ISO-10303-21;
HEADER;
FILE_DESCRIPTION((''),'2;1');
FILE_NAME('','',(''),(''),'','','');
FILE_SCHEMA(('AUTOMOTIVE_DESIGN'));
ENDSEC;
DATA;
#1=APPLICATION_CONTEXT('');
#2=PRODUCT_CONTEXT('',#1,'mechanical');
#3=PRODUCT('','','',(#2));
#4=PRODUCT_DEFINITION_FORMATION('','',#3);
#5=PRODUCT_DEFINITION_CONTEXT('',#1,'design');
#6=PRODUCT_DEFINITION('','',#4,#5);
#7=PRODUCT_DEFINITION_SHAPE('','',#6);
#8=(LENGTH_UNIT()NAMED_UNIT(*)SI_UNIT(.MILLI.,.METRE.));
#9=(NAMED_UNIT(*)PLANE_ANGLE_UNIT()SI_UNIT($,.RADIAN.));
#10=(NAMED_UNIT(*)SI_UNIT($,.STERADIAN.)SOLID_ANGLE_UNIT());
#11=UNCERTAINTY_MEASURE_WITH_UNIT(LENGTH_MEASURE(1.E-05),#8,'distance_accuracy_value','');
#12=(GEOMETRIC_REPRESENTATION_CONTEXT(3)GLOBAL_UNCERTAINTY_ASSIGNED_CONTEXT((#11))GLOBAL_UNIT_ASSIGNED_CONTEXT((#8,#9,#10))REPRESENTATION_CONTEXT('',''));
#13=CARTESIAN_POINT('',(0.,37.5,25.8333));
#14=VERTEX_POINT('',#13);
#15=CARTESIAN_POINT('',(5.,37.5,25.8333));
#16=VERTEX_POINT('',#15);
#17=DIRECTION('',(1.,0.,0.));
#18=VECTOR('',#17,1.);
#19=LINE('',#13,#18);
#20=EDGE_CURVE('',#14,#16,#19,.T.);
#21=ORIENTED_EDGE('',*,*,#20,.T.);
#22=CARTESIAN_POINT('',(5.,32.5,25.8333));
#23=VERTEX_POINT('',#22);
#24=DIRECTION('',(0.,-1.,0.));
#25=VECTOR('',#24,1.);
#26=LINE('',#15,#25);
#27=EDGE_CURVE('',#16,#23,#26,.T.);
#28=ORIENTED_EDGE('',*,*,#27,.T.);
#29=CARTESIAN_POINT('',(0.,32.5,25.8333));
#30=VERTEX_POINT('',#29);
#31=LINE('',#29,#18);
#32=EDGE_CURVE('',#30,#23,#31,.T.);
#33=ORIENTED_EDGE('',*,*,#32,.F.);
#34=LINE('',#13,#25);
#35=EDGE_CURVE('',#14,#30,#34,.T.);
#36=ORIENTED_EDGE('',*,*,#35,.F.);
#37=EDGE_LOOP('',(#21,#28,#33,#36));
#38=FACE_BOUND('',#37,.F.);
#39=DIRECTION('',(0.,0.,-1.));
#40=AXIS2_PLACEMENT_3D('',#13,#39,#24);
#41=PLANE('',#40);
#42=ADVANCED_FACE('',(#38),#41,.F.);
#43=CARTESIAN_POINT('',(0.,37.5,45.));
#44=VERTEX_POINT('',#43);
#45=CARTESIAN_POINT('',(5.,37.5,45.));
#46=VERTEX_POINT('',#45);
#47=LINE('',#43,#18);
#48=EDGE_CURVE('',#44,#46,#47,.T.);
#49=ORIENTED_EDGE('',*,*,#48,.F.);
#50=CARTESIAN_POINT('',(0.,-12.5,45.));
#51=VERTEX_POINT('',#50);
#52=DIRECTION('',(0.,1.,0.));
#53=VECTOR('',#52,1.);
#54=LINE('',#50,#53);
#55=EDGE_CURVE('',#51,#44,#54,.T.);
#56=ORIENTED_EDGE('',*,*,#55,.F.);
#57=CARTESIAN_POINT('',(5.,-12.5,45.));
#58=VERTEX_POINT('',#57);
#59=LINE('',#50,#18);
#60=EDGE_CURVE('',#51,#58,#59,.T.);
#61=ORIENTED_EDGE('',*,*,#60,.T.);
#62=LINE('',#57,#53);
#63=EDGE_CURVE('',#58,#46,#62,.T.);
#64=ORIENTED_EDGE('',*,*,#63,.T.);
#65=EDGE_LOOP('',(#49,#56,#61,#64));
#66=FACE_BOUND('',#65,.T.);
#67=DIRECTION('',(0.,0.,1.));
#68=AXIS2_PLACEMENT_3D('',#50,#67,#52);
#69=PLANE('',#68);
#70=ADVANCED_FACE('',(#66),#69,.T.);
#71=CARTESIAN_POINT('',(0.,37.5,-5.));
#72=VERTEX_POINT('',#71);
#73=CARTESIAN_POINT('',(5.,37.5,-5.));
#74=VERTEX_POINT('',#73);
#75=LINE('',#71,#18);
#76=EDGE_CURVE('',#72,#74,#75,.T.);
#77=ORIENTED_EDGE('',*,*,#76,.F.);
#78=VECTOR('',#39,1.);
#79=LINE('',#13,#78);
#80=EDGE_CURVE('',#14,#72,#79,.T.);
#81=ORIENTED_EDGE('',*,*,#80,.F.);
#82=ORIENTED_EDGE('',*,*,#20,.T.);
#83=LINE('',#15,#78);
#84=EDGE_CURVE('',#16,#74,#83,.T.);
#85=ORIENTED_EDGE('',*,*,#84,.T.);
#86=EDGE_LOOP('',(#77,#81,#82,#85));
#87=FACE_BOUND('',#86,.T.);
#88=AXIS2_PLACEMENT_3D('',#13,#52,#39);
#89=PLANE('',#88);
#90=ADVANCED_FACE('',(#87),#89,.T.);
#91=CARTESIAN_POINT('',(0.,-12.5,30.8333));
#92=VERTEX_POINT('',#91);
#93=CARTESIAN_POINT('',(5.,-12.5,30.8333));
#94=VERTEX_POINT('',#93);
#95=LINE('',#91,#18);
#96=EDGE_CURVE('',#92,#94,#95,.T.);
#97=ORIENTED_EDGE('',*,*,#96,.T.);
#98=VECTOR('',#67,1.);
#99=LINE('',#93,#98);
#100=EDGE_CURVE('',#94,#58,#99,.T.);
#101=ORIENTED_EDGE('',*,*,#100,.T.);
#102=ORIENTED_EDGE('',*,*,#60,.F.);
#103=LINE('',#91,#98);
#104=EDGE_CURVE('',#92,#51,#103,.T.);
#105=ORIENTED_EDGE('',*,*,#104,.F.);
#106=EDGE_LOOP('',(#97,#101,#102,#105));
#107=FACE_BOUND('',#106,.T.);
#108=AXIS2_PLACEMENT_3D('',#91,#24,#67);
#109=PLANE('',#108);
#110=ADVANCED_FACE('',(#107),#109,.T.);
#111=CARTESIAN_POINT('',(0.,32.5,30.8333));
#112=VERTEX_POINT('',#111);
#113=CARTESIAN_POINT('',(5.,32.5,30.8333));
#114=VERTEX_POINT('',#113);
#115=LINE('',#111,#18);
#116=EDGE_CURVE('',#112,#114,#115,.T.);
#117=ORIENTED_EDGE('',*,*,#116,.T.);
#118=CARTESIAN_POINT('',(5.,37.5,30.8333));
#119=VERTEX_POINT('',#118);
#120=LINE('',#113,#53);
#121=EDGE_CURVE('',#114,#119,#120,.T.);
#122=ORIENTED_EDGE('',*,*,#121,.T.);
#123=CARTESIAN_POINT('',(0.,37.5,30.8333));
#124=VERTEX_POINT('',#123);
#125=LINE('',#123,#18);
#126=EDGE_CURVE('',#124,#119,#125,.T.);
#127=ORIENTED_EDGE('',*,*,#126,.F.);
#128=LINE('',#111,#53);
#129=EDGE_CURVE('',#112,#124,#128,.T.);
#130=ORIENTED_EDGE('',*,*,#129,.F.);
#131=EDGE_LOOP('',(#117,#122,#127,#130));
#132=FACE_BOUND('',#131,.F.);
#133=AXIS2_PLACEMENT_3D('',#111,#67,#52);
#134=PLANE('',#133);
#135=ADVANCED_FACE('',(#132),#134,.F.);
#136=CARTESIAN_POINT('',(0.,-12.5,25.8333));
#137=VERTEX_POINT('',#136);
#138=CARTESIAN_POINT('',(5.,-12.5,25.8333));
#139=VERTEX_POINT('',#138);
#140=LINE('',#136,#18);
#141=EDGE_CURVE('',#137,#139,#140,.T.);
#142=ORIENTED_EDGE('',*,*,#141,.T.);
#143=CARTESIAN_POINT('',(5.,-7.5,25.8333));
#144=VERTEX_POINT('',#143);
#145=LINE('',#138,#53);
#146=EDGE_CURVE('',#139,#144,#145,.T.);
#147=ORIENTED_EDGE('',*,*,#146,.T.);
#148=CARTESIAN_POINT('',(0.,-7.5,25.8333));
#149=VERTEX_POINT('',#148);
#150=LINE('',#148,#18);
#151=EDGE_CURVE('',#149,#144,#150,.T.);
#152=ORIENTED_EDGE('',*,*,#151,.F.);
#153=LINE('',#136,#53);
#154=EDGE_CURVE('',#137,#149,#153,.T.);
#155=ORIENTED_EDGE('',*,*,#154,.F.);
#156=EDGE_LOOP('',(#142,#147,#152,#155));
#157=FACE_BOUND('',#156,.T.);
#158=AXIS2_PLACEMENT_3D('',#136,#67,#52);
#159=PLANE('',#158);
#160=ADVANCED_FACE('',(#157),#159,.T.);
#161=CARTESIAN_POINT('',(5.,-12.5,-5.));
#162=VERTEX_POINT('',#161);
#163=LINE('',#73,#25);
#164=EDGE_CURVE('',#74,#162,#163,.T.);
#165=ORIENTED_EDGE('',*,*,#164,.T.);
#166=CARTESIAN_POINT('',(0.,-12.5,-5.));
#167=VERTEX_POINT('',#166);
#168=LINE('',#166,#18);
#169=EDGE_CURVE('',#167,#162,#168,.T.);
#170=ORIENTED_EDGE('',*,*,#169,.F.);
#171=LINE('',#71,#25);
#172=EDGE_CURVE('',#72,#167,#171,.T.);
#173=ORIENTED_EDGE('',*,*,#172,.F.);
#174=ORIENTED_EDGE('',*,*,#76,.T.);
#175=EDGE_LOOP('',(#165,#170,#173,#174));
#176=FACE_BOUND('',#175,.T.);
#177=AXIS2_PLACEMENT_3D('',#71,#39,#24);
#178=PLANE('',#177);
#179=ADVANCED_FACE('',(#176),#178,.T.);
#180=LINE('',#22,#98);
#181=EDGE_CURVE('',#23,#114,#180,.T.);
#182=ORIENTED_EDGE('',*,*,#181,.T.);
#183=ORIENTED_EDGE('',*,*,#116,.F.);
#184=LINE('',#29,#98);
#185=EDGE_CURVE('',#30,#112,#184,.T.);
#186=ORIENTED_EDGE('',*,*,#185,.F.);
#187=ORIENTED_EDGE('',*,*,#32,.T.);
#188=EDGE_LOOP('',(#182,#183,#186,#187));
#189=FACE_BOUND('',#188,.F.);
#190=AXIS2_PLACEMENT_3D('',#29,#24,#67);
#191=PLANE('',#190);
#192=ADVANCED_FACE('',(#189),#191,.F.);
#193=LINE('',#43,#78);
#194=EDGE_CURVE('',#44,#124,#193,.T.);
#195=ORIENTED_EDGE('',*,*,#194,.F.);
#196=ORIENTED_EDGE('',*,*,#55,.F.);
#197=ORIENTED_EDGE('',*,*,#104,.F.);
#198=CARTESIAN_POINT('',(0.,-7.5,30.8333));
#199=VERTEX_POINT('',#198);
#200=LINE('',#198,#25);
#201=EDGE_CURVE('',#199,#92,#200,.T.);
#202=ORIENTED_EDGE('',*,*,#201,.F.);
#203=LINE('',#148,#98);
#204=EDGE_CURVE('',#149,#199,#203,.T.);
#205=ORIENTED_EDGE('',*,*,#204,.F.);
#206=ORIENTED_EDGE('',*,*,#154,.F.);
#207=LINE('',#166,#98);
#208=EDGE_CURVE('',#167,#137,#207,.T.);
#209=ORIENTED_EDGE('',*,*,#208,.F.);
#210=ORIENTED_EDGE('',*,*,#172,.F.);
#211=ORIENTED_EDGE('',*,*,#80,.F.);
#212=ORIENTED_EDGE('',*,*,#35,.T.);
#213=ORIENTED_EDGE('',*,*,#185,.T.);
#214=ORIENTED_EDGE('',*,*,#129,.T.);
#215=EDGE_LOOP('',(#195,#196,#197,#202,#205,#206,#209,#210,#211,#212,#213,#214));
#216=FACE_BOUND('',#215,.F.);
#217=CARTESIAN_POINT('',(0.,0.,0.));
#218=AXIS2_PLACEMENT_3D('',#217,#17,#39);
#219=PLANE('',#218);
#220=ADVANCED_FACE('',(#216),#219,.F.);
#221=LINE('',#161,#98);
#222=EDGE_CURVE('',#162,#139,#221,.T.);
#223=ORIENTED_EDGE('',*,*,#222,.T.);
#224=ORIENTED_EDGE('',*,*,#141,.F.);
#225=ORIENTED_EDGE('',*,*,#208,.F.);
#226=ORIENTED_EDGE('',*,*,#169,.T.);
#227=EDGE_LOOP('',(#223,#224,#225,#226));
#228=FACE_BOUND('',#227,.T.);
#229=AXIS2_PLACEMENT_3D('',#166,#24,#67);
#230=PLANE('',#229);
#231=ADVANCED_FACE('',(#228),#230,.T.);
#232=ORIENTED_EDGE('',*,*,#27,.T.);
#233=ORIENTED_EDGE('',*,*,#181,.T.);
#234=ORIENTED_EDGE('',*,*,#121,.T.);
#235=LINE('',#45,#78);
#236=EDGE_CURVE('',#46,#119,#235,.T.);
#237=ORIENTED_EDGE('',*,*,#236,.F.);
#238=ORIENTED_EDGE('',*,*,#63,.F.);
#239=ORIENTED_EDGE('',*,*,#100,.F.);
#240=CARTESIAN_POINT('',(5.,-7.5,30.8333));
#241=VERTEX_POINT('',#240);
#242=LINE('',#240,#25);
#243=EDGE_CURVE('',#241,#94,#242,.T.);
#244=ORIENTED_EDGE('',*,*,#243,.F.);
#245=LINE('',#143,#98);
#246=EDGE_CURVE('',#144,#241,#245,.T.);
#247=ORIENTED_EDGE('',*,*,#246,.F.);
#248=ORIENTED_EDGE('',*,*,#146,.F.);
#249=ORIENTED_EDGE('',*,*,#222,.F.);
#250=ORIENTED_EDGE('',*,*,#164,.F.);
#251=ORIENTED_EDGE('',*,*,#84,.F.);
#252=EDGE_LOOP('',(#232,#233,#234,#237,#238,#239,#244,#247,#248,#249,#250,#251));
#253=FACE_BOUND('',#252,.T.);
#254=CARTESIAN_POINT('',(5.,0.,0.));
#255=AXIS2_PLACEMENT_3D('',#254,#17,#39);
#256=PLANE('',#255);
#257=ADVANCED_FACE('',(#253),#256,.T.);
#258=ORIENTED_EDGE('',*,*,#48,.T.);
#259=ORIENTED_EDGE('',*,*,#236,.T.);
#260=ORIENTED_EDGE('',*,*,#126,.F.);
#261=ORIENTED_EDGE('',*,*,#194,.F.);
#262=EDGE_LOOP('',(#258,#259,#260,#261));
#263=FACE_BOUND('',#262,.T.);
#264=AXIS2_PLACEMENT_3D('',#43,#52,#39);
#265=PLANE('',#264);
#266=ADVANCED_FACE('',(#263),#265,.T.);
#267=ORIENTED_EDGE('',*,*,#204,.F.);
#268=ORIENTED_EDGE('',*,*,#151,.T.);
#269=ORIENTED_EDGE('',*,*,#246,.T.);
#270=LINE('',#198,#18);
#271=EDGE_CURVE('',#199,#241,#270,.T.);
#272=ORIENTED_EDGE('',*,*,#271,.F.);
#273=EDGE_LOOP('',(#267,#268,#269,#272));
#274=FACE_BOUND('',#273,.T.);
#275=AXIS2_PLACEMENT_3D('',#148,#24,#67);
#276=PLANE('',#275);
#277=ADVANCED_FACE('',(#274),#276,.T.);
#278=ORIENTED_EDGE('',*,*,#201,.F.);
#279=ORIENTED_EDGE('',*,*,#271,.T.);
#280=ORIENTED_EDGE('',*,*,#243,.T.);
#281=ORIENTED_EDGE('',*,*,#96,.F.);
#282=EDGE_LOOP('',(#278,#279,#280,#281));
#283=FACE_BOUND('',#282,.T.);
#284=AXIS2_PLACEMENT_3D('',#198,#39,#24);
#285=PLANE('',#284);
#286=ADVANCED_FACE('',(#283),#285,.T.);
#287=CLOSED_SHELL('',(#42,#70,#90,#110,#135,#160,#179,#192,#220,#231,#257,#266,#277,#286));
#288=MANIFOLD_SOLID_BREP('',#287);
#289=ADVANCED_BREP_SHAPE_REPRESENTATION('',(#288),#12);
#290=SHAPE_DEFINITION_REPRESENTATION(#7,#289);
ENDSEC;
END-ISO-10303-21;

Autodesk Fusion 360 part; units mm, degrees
sketch "Sketch1" plane through (0, 0, 0) normal (1, 0, 0) x (0, 0, -1)
  line L0 (5, 37.5) -> (5, -12.5)
  line L1 (-45, -12.5) -> (-45, 37.5)
  line L2 (-25.8333, 37.5) -> (-25.8333, 32.5)
  line L3 (-25.8333, 32.5) -> (-30.8333, 32.5)
  line L4 (-30.8333, 32.5) -> (-30.8333, 37.5)
  line L5 (-25.8333, -12.5) -> (-25.8333, -7.5)
  line L6 (-25.8333, -7.5) -> (-30.8333, -7.5)
  line L7 (-30.8333, -7.5) -> (-30.8333, -12.5)
  line L8 (-45, 37.5) -> (-30.8333, 37.5)
  line L9 (-25.8333, 37.5) -> (5, 37.5)
  line L10 (5, -12.5) -> (-25.8333, -12.5)
  line L11 (-30.8333, -12.5) -> (-45, -12.5)
  dimension "d5" = 50
  dimension "d6" = 50
  dimension "d7" = 14.1667
  dimension "d8" = 5
  dimension "d9" = 5
extrude "Extrude1" add sketch "Sketch1" along normal blind 5
sketch "Sketch2" plane through (5, 0, 0) normal (1, 0, 0) x (0, 0, -1)
  line L0 (-25.8333, 37.5) -> (-25.8333, 32.5)
  line L1 (-25.8333, 32.5) -> (-30.8333, 32.5)
  line L2 (-30.8333, 32.5) -> (-30.8333, 37.5)
  line L3 (-30.8333, 37.5) -> (-45, 37.5)
  line L4 (-45, 37.5) -> (-45, -12.5)
  line L5 (-45, -12.5) -> (-30.8333, -12.5)
  line L6 (-30.8333, -12.5) -> (-30.8333, -7.5)
  line L7 (-30.8333, -7.5) -> (-25.8333, -7.5)
  line L8 (-25.8333, -7.5) -> (-25.8333, -12.5)
  line L9 (-25.8333, -12.5) -> (5, -12.5)
  line L10 (5, -12.5) -> (5, 37.5)
  line L11 (5, 37.5) -> (-25.8333, 37.5)
equation "w = 50 mm"
equation "h = 50 mm"
equation "sw = 5 mm"
equation "sd = 5 mm"
equation "d5 = w"
equation "d6 = h"
equation "d7 = ( 1 / 3 ) * w - ( 1 / 2 ) * sw"
equation "d8 = sw"
equation "d9 = sd"
